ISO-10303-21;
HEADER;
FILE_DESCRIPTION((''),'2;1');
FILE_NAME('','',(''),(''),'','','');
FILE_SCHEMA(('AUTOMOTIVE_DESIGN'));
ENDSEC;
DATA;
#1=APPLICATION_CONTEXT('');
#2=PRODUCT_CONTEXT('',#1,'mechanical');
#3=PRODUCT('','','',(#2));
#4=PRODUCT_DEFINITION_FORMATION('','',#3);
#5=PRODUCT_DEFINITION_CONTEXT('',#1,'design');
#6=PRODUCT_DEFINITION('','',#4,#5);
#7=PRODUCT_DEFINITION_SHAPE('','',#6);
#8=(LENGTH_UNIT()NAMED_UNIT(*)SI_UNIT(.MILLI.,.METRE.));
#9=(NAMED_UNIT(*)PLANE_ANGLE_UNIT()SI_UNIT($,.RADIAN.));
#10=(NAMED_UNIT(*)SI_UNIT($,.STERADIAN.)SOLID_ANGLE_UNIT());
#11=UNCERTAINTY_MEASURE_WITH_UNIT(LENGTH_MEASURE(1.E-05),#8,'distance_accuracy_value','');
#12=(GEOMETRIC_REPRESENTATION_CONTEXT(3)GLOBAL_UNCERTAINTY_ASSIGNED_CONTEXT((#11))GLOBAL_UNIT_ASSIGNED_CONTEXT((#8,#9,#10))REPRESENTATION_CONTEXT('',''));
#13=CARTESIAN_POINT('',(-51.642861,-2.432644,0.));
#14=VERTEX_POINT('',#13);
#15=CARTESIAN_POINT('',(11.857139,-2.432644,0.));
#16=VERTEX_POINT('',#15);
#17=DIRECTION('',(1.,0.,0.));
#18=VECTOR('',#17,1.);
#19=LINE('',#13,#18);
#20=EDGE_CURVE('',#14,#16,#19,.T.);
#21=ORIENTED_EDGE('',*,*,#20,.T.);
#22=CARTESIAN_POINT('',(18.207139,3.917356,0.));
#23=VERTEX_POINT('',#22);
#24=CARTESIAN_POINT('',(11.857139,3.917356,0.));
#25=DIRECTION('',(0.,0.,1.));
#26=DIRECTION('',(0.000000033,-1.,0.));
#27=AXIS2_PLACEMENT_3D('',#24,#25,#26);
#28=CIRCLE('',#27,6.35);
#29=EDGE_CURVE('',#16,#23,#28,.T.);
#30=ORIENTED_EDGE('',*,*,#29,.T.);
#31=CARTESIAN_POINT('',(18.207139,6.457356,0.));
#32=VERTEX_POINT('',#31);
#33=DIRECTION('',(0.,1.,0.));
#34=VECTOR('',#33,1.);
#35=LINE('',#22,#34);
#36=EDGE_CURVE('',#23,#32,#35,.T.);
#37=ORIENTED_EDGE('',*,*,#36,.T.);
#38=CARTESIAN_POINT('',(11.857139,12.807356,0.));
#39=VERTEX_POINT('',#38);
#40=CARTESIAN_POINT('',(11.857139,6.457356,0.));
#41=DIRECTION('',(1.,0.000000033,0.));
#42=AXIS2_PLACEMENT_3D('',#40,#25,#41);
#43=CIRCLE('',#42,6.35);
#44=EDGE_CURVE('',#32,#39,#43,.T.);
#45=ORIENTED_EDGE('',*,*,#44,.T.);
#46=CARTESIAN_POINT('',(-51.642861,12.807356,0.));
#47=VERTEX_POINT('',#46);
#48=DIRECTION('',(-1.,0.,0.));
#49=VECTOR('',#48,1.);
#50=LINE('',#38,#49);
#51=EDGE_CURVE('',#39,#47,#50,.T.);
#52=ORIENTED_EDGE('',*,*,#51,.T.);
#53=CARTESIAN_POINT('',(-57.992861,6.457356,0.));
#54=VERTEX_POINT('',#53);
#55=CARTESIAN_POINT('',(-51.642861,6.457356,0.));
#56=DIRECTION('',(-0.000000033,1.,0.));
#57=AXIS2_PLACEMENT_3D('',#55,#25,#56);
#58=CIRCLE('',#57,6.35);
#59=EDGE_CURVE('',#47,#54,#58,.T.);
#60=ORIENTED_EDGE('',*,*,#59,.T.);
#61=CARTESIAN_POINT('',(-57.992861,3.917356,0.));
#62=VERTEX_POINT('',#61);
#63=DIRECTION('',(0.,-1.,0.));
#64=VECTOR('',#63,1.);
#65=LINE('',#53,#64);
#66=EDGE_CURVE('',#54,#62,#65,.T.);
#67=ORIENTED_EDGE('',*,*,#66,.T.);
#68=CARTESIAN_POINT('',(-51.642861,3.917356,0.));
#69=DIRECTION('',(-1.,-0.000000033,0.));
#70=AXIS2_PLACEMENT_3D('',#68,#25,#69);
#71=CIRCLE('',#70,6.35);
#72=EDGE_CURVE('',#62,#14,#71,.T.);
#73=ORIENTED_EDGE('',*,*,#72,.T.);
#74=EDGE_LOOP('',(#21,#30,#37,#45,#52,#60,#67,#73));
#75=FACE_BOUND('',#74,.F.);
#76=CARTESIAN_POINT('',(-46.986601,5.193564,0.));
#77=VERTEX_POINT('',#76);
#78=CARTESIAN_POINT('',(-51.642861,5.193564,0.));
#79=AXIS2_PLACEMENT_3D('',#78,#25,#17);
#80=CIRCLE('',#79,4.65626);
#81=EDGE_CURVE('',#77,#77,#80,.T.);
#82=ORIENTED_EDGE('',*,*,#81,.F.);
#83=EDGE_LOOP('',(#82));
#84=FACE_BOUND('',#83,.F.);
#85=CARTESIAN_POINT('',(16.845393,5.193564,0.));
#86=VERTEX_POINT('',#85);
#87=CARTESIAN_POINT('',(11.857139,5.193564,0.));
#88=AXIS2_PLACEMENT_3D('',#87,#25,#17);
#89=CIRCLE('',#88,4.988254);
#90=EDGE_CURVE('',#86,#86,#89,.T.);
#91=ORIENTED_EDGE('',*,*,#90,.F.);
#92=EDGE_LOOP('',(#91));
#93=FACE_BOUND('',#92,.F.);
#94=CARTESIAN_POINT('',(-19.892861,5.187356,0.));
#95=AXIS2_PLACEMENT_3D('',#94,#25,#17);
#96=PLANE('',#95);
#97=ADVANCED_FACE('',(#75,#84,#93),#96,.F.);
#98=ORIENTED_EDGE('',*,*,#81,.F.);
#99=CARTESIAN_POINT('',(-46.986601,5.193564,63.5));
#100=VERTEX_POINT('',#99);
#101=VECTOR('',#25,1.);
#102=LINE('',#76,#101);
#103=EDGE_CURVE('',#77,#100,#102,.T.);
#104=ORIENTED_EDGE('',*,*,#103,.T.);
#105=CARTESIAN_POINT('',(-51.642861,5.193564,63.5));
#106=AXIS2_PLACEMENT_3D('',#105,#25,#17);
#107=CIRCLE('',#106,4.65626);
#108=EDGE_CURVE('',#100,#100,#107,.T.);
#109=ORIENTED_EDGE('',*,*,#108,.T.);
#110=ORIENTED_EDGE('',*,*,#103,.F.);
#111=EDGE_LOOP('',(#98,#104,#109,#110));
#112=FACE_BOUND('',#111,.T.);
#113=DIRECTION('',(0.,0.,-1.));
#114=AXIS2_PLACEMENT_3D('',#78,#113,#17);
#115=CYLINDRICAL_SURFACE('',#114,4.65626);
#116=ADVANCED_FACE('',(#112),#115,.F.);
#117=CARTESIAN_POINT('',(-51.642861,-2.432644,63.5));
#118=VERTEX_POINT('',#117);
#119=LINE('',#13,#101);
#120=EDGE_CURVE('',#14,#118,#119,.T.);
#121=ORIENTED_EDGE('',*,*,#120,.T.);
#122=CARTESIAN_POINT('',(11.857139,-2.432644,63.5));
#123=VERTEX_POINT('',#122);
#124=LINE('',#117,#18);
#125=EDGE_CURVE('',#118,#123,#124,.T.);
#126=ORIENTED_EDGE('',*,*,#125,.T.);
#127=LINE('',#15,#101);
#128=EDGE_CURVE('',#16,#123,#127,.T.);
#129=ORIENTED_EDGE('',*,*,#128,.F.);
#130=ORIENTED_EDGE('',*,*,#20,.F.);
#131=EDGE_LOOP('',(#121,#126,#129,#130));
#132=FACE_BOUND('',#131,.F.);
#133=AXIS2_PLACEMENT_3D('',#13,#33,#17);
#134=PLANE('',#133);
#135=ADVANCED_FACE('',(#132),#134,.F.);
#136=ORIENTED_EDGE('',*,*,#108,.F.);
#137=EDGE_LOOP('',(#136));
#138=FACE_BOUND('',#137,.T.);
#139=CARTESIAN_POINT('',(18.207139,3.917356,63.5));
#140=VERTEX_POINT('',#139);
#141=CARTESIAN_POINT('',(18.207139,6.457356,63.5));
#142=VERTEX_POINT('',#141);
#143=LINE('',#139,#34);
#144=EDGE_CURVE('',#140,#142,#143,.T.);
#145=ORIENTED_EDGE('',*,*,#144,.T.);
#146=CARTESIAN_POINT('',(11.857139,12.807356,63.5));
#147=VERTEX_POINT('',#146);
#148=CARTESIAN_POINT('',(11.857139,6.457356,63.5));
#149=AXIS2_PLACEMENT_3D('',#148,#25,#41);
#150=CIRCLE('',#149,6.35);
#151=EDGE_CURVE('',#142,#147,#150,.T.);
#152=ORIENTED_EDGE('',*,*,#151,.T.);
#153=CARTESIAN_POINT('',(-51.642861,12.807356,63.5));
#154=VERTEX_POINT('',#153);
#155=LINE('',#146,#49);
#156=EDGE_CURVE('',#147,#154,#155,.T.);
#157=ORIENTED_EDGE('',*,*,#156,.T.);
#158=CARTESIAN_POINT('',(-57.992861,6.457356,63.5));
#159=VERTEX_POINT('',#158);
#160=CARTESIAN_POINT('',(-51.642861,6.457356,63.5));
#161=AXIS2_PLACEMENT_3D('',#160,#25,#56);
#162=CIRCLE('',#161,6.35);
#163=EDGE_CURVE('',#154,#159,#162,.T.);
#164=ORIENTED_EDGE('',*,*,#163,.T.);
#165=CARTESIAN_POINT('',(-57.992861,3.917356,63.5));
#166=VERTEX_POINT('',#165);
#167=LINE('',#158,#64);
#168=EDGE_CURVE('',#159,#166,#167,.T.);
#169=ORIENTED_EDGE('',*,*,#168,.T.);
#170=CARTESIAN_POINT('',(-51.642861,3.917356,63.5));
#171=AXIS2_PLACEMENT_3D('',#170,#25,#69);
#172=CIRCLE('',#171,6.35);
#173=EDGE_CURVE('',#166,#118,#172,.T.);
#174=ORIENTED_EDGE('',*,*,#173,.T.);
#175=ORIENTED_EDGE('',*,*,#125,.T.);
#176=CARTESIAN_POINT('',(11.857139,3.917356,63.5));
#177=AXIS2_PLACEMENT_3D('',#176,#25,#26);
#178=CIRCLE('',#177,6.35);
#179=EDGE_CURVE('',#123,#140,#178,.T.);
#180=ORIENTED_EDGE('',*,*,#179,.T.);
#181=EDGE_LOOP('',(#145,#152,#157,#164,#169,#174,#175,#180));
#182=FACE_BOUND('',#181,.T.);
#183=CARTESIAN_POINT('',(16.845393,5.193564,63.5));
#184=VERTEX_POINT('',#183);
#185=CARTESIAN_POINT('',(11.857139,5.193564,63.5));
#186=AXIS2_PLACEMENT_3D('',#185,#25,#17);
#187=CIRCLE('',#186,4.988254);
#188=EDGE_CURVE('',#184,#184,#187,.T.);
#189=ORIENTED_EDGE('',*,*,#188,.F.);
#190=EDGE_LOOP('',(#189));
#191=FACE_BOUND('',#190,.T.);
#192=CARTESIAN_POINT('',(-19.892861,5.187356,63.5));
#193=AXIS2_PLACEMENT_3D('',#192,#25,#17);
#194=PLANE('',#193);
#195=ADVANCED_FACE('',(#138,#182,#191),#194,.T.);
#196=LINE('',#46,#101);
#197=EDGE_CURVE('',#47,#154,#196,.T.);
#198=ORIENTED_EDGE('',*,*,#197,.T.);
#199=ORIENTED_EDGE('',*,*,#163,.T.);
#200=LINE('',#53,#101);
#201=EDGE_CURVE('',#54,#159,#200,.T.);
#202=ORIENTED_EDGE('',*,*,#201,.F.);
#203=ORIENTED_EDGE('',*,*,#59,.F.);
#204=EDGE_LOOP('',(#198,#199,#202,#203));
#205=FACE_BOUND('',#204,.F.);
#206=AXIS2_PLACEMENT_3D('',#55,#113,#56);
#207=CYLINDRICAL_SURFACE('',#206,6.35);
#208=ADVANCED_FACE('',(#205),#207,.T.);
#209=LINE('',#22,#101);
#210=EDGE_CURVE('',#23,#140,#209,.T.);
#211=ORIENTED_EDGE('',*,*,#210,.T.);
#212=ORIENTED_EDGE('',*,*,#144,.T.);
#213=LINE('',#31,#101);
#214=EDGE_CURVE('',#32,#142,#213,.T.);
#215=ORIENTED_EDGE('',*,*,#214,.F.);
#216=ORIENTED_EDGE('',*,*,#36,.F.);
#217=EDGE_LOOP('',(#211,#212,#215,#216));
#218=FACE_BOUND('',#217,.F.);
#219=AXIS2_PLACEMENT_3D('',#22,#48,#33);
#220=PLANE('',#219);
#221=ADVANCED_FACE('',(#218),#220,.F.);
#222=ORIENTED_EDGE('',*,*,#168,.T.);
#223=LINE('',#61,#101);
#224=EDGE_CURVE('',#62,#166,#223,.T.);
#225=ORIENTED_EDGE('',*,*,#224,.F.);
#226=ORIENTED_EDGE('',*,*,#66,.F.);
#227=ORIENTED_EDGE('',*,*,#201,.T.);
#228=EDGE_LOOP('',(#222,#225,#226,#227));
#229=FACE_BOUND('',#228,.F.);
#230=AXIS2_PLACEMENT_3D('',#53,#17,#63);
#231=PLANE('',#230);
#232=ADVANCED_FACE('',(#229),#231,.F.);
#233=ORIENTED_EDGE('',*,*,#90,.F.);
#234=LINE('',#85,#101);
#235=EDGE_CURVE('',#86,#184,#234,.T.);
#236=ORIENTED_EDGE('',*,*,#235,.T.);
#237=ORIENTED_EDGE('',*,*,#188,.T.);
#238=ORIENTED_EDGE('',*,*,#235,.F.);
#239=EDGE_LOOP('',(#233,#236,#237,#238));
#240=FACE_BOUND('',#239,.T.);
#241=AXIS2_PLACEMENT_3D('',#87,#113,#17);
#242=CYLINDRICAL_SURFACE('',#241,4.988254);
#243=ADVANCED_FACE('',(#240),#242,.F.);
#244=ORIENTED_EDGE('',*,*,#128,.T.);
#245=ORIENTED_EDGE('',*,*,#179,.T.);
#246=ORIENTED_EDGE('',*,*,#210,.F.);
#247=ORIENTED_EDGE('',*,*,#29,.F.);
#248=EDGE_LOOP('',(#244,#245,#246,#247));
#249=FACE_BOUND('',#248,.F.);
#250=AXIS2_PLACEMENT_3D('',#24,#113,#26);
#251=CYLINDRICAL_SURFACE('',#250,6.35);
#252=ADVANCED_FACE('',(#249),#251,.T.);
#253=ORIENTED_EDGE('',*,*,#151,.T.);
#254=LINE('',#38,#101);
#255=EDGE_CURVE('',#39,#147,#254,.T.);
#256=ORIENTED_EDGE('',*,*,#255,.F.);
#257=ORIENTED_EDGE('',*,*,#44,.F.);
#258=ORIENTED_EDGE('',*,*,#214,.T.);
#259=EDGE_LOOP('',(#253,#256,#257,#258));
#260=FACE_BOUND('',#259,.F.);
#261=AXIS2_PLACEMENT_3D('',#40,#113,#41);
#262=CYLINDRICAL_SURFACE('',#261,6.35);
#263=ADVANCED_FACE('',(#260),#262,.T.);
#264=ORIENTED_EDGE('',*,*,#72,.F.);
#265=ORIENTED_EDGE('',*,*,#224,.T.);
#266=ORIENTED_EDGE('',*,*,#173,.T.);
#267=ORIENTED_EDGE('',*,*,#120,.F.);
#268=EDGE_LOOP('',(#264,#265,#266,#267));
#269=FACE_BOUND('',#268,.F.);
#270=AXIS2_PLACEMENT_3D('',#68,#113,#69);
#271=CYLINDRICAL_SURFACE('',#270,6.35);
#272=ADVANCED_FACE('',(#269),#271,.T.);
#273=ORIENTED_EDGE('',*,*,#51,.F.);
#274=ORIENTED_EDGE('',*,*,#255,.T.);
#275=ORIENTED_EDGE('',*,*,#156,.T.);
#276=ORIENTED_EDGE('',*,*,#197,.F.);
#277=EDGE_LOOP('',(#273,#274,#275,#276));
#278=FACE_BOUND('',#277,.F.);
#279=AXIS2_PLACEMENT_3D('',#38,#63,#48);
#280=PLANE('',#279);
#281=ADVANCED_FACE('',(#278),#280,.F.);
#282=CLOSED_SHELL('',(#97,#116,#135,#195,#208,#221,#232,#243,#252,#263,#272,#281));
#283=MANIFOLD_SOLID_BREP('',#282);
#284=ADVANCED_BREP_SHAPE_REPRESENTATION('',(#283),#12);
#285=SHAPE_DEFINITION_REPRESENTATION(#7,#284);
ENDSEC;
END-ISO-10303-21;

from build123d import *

# Parameters (mm, degrees)
F0_R     = 4.65626
F0_R_2   = 4.988254
F1_DEPTH = 63.5


with BuildPart() as f1:
    # F0 (on Top) → F1 (new body)
    with BuildSketch(Plane.XY):
        with BuildLine():
            Line((11.857139, 12.807356), (-51.642861, 12.807356))
            ThreePointArc((-51.642861, 12.807356), (-56.132989, 10.947484), (-57.992861, 6.457356))
            Line((-57.992861, 6.457356), (-57.992861, 3.917356))
            ThreePointArc((-57.992861, 3.917356), (-56.132989, -0.572772), (-51.642861, -2.432644))
            Line((-51.642861, -2.432644), (11.857139, -2.432644))
            ThreePointArc((11.857139, -2.432644), (16.347267, -0.572772), (18.207139, 3.917356))
            Line((18.207139, 3.917356), (18.207139, 6.457356))
            ThreePointArc((18.207139, 6.457356), (16.347267, 10.947484), (11.857139, 12.807356))
        make_face()
        with Locations((-51.642861, 5.193564)):
            Circle(F0_R, mode=Mode.SUBTRACT)
        with Locations((11.857139, 5.193564)):
            Circle(F0_R_2, mode=Mode.SUBTRACT)
    extrude(amount=F1_DEPTH)


solid = f1.part
